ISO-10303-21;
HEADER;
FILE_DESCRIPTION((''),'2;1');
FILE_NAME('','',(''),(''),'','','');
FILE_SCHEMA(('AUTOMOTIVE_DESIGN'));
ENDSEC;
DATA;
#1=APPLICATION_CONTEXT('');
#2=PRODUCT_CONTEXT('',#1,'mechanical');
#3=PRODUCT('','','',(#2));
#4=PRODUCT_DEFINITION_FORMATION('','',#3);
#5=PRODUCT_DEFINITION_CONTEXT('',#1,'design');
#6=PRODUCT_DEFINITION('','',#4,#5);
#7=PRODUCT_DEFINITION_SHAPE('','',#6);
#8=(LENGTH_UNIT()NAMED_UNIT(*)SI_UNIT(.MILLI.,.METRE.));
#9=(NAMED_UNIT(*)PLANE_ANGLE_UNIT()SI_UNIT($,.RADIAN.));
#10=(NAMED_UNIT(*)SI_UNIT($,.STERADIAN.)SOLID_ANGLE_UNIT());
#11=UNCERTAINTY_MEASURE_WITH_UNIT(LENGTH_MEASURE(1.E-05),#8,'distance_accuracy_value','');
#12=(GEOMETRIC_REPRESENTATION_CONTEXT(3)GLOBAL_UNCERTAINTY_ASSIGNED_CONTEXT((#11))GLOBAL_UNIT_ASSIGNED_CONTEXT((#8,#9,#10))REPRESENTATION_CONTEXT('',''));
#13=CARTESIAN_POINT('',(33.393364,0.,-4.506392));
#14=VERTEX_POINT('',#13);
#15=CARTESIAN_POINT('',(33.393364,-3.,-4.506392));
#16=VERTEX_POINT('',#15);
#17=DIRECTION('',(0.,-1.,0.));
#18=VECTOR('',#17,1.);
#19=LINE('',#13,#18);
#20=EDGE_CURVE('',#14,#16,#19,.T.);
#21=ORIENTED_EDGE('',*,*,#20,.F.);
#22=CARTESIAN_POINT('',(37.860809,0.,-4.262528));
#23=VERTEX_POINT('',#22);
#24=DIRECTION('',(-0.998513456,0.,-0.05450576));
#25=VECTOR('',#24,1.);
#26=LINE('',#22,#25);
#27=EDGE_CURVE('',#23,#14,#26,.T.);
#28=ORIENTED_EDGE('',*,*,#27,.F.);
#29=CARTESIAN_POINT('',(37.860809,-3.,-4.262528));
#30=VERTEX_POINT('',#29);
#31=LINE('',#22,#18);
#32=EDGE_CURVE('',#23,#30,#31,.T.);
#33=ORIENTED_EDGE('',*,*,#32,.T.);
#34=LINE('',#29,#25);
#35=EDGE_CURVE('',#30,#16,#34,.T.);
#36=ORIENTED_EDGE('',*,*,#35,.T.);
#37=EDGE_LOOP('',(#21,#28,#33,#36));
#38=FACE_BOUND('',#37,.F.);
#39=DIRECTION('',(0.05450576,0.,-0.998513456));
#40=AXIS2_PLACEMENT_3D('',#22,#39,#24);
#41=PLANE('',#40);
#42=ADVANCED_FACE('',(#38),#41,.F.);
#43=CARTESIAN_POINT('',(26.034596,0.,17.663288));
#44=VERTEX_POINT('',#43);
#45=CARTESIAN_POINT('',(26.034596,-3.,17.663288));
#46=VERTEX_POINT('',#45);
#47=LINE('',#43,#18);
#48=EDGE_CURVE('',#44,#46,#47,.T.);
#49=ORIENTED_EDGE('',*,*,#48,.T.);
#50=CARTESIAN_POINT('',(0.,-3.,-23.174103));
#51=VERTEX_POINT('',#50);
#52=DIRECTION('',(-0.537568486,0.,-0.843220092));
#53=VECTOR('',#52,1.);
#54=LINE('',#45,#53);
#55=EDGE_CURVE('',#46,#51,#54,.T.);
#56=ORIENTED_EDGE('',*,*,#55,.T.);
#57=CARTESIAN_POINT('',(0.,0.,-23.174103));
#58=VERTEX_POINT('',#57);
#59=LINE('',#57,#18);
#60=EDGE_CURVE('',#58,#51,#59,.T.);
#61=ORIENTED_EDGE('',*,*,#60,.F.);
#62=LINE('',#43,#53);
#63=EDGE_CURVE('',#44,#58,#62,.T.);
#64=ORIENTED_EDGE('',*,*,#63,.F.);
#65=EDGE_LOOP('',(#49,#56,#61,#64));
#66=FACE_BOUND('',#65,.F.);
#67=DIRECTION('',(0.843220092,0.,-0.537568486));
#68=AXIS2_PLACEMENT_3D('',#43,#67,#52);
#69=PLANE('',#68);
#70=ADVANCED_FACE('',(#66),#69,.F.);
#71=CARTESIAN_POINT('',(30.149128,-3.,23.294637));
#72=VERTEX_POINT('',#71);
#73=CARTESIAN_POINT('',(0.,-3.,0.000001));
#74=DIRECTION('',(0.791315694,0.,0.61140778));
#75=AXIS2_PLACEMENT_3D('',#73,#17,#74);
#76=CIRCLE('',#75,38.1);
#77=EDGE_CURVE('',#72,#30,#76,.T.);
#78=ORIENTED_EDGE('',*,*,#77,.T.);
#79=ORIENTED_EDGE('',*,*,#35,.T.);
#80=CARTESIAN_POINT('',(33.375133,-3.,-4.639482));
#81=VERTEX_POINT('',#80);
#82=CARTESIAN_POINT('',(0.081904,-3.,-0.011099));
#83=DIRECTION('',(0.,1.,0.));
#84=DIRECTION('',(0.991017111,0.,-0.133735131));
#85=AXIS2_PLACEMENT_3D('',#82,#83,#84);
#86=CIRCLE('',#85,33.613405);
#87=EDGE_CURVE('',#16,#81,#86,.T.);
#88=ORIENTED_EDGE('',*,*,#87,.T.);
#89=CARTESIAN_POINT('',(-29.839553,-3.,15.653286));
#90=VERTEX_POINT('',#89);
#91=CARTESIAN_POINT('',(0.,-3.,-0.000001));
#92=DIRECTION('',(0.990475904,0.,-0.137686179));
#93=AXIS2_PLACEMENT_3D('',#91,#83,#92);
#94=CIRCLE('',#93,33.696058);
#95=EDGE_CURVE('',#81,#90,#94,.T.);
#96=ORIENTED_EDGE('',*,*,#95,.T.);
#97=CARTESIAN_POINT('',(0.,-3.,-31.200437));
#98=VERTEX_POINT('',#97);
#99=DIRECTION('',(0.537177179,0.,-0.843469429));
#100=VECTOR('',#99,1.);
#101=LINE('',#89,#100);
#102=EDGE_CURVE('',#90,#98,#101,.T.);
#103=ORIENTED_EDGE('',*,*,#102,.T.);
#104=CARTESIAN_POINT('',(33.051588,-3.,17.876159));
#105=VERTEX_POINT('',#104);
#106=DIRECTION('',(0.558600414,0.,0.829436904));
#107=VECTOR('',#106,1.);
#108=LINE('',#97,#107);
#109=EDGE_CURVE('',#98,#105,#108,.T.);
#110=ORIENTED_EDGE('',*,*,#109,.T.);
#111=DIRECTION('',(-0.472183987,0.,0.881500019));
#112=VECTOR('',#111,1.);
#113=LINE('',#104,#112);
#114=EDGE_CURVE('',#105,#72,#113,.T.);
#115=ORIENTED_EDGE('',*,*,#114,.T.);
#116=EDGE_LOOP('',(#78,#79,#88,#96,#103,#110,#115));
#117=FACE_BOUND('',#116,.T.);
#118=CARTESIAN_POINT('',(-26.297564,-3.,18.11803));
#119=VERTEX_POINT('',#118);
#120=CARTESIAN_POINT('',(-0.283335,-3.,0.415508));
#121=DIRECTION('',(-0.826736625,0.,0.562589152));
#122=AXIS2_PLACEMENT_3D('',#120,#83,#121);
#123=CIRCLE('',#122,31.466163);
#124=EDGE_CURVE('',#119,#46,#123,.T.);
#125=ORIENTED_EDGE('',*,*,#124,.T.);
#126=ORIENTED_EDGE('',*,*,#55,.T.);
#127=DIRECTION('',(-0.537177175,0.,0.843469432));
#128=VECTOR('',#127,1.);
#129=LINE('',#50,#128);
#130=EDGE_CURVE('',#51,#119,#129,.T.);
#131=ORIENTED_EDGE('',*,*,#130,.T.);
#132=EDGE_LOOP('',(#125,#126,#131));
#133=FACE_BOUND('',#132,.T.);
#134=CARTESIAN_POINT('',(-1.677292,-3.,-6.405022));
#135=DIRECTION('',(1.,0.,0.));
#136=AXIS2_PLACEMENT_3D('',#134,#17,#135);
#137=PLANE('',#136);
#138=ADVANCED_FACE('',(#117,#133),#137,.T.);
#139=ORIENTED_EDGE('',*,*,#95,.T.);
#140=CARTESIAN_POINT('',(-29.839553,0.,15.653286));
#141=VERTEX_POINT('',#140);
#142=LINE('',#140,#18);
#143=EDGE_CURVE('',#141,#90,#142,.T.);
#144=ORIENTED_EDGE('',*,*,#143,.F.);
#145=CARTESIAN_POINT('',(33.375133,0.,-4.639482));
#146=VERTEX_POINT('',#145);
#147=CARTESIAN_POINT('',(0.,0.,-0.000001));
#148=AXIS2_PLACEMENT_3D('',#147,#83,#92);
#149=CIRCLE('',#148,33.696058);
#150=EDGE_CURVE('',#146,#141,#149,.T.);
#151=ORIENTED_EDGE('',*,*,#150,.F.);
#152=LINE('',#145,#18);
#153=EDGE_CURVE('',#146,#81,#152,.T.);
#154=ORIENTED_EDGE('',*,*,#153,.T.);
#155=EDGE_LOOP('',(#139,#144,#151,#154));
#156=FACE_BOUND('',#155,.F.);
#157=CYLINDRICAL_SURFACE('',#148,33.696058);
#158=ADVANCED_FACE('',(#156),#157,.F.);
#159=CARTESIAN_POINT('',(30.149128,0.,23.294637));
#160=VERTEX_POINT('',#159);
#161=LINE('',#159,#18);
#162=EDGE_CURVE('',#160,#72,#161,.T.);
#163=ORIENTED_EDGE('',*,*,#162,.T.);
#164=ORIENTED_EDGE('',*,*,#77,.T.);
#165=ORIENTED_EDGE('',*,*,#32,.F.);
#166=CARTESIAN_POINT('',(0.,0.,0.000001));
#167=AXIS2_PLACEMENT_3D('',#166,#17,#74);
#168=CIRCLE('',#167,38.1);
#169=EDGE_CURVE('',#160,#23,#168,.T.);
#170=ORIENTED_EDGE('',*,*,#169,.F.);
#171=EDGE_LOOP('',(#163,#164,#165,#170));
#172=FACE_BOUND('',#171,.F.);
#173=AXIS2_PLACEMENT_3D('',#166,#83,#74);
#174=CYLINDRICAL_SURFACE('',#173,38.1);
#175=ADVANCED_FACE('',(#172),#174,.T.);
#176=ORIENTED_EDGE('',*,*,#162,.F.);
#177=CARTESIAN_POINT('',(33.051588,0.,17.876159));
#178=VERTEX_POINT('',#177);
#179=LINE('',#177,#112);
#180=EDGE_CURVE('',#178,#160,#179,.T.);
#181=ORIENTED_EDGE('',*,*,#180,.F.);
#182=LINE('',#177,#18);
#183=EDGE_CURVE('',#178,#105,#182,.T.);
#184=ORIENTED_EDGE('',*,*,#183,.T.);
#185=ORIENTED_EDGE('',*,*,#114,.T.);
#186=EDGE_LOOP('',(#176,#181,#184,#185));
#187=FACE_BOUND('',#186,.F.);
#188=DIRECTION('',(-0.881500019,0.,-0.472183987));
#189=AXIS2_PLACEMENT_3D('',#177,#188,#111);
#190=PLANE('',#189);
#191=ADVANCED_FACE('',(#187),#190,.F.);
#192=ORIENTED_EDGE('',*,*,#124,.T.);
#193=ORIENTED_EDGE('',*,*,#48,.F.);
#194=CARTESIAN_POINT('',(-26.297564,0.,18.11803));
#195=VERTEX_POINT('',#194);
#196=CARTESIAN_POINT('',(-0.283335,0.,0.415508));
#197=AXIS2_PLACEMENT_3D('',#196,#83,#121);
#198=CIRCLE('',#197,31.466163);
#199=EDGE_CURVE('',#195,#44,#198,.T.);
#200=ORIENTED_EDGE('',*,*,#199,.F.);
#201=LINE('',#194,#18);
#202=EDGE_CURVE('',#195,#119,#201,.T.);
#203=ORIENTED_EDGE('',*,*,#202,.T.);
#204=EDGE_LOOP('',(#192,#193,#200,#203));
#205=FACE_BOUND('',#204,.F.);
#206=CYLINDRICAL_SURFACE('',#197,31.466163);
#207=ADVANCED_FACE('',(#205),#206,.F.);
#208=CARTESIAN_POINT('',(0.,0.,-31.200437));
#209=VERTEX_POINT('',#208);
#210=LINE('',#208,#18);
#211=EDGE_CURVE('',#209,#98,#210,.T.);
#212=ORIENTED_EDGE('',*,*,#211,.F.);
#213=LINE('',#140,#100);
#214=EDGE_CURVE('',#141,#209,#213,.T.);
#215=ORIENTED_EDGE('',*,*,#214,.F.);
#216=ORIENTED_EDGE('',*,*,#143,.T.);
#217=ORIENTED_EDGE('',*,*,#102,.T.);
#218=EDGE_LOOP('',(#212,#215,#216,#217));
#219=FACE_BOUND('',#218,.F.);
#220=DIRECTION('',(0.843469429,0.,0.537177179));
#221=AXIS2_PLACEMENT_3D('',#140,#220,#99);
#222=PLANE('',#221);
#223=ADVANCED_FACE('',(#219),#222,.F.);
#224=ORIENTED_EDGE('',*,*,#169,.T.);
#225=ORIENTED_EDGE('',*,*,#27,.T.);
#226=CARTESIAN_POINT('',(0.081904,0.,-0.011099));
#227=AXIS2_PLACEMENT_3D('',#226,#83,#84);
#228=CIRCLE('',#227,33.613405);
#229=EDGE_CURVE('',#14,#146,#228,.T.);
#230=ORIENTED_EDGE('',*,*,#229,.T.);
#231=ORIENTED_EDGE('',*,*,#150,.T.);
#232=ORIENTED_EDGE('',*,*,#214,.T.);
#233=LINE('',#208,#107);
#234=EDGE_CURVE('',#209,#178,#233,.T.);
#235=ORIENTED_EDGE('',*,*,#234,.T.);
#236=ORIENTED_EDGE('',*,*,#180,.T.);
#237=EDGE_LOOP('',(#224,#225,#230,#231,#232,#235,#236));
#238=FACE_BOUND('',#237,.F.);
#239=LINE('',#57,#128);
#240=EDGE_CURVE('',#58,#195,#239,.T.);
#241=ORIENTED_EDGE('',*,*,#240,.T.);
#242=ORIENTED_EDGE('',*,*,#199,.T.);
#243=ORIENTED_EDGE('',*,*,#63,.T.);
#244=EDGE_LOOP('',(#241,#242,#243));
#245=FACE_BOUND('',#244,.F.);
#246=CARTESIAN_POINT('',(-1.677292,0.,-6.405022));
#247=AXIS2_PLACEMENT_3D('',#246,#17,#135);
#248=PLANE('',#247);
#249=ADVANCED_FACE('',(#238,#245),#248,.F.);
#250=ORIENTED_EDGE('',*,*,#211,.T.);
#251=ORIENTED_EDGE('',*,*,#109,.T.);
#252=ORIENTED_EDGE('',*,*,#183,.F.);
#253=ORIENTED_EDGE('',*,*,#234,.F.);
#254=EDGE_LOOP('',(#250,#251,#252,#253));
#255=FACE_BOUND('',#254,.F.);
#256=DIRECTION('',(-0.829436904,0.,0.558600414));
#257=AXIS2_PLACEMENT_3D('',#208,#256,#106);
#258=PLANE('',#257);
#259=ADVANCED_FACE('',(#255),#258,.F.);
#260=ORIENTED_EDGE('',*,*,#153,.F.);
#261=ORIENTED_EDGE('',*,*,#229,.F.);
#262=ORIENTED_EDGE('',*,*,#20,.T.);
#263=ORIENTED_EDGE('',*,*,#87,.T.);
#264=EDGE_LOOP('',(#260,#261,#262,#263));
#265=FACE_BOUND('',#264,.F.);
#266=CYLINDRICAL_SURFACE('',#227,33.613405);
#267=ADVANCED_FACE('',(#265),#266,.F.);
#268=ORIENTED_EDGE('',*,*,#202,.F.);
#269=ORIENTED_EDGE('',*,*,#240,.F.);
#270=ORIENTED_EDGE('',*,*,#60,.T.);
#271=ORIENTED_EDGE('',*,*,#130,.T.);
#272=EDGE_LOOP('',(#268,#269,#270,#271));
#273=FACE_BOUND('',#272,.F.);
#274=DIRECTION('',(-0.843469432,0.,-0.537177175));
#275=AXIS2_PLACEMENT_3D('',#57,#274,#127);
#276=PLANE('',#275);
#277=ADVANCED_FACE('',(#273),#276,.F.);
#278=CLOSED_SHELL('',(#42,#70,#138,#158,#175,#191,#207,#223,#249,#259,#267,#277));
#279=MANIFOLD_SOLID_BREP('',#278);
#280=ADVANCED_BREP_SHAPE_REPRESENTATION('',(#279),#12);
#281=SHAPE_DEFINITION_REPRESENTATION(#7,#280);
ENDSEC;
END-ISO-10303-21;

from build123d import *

# Parameters (mm, degrees)
F1_DEPTH = 3


with BuildPart() as f1:
    # F0 (on Front) → F1 (new body)
    with BuildSketch(Plane.XZ):
        with BuildLine():
            Line((33.051588, 17.876159), (30.149128, 23.294637))
            ThreePointArc((30.149128, 23.294637), (-36.690424, -10.26756), (37.860809, -4.262528))
            Line((37.860809, -4.262528), (33.393364, -4.506392))
            ThreePointArc((33.393364, -4.506392), (33.384315, -4.572946), (33.375133, -4.639482))
            ThreePointArc((33.375133, -4.639482), (-10.299233, -32.083487), (-29.839553, 15.653286))
            Line((-29.839553, 15.653286), (0, -31.200437))
            Line((0, -31.200437), (33.051588, 17.876159))
        make_face()
        with BuildLine():
            Line((0, -23.174103), (-26.297564, 18.11803))
            ThreePointArc((-26.297564, 18.11803), (-0.009919, 31.880483), (26.034596, 17.663288))
            Line((26.034596, 17.663288), (0, -23.174103))
        make_face(mode=Mode.SUBTRACT)
    extrude(amount=F1_DEPTH)


solid = f1.part
